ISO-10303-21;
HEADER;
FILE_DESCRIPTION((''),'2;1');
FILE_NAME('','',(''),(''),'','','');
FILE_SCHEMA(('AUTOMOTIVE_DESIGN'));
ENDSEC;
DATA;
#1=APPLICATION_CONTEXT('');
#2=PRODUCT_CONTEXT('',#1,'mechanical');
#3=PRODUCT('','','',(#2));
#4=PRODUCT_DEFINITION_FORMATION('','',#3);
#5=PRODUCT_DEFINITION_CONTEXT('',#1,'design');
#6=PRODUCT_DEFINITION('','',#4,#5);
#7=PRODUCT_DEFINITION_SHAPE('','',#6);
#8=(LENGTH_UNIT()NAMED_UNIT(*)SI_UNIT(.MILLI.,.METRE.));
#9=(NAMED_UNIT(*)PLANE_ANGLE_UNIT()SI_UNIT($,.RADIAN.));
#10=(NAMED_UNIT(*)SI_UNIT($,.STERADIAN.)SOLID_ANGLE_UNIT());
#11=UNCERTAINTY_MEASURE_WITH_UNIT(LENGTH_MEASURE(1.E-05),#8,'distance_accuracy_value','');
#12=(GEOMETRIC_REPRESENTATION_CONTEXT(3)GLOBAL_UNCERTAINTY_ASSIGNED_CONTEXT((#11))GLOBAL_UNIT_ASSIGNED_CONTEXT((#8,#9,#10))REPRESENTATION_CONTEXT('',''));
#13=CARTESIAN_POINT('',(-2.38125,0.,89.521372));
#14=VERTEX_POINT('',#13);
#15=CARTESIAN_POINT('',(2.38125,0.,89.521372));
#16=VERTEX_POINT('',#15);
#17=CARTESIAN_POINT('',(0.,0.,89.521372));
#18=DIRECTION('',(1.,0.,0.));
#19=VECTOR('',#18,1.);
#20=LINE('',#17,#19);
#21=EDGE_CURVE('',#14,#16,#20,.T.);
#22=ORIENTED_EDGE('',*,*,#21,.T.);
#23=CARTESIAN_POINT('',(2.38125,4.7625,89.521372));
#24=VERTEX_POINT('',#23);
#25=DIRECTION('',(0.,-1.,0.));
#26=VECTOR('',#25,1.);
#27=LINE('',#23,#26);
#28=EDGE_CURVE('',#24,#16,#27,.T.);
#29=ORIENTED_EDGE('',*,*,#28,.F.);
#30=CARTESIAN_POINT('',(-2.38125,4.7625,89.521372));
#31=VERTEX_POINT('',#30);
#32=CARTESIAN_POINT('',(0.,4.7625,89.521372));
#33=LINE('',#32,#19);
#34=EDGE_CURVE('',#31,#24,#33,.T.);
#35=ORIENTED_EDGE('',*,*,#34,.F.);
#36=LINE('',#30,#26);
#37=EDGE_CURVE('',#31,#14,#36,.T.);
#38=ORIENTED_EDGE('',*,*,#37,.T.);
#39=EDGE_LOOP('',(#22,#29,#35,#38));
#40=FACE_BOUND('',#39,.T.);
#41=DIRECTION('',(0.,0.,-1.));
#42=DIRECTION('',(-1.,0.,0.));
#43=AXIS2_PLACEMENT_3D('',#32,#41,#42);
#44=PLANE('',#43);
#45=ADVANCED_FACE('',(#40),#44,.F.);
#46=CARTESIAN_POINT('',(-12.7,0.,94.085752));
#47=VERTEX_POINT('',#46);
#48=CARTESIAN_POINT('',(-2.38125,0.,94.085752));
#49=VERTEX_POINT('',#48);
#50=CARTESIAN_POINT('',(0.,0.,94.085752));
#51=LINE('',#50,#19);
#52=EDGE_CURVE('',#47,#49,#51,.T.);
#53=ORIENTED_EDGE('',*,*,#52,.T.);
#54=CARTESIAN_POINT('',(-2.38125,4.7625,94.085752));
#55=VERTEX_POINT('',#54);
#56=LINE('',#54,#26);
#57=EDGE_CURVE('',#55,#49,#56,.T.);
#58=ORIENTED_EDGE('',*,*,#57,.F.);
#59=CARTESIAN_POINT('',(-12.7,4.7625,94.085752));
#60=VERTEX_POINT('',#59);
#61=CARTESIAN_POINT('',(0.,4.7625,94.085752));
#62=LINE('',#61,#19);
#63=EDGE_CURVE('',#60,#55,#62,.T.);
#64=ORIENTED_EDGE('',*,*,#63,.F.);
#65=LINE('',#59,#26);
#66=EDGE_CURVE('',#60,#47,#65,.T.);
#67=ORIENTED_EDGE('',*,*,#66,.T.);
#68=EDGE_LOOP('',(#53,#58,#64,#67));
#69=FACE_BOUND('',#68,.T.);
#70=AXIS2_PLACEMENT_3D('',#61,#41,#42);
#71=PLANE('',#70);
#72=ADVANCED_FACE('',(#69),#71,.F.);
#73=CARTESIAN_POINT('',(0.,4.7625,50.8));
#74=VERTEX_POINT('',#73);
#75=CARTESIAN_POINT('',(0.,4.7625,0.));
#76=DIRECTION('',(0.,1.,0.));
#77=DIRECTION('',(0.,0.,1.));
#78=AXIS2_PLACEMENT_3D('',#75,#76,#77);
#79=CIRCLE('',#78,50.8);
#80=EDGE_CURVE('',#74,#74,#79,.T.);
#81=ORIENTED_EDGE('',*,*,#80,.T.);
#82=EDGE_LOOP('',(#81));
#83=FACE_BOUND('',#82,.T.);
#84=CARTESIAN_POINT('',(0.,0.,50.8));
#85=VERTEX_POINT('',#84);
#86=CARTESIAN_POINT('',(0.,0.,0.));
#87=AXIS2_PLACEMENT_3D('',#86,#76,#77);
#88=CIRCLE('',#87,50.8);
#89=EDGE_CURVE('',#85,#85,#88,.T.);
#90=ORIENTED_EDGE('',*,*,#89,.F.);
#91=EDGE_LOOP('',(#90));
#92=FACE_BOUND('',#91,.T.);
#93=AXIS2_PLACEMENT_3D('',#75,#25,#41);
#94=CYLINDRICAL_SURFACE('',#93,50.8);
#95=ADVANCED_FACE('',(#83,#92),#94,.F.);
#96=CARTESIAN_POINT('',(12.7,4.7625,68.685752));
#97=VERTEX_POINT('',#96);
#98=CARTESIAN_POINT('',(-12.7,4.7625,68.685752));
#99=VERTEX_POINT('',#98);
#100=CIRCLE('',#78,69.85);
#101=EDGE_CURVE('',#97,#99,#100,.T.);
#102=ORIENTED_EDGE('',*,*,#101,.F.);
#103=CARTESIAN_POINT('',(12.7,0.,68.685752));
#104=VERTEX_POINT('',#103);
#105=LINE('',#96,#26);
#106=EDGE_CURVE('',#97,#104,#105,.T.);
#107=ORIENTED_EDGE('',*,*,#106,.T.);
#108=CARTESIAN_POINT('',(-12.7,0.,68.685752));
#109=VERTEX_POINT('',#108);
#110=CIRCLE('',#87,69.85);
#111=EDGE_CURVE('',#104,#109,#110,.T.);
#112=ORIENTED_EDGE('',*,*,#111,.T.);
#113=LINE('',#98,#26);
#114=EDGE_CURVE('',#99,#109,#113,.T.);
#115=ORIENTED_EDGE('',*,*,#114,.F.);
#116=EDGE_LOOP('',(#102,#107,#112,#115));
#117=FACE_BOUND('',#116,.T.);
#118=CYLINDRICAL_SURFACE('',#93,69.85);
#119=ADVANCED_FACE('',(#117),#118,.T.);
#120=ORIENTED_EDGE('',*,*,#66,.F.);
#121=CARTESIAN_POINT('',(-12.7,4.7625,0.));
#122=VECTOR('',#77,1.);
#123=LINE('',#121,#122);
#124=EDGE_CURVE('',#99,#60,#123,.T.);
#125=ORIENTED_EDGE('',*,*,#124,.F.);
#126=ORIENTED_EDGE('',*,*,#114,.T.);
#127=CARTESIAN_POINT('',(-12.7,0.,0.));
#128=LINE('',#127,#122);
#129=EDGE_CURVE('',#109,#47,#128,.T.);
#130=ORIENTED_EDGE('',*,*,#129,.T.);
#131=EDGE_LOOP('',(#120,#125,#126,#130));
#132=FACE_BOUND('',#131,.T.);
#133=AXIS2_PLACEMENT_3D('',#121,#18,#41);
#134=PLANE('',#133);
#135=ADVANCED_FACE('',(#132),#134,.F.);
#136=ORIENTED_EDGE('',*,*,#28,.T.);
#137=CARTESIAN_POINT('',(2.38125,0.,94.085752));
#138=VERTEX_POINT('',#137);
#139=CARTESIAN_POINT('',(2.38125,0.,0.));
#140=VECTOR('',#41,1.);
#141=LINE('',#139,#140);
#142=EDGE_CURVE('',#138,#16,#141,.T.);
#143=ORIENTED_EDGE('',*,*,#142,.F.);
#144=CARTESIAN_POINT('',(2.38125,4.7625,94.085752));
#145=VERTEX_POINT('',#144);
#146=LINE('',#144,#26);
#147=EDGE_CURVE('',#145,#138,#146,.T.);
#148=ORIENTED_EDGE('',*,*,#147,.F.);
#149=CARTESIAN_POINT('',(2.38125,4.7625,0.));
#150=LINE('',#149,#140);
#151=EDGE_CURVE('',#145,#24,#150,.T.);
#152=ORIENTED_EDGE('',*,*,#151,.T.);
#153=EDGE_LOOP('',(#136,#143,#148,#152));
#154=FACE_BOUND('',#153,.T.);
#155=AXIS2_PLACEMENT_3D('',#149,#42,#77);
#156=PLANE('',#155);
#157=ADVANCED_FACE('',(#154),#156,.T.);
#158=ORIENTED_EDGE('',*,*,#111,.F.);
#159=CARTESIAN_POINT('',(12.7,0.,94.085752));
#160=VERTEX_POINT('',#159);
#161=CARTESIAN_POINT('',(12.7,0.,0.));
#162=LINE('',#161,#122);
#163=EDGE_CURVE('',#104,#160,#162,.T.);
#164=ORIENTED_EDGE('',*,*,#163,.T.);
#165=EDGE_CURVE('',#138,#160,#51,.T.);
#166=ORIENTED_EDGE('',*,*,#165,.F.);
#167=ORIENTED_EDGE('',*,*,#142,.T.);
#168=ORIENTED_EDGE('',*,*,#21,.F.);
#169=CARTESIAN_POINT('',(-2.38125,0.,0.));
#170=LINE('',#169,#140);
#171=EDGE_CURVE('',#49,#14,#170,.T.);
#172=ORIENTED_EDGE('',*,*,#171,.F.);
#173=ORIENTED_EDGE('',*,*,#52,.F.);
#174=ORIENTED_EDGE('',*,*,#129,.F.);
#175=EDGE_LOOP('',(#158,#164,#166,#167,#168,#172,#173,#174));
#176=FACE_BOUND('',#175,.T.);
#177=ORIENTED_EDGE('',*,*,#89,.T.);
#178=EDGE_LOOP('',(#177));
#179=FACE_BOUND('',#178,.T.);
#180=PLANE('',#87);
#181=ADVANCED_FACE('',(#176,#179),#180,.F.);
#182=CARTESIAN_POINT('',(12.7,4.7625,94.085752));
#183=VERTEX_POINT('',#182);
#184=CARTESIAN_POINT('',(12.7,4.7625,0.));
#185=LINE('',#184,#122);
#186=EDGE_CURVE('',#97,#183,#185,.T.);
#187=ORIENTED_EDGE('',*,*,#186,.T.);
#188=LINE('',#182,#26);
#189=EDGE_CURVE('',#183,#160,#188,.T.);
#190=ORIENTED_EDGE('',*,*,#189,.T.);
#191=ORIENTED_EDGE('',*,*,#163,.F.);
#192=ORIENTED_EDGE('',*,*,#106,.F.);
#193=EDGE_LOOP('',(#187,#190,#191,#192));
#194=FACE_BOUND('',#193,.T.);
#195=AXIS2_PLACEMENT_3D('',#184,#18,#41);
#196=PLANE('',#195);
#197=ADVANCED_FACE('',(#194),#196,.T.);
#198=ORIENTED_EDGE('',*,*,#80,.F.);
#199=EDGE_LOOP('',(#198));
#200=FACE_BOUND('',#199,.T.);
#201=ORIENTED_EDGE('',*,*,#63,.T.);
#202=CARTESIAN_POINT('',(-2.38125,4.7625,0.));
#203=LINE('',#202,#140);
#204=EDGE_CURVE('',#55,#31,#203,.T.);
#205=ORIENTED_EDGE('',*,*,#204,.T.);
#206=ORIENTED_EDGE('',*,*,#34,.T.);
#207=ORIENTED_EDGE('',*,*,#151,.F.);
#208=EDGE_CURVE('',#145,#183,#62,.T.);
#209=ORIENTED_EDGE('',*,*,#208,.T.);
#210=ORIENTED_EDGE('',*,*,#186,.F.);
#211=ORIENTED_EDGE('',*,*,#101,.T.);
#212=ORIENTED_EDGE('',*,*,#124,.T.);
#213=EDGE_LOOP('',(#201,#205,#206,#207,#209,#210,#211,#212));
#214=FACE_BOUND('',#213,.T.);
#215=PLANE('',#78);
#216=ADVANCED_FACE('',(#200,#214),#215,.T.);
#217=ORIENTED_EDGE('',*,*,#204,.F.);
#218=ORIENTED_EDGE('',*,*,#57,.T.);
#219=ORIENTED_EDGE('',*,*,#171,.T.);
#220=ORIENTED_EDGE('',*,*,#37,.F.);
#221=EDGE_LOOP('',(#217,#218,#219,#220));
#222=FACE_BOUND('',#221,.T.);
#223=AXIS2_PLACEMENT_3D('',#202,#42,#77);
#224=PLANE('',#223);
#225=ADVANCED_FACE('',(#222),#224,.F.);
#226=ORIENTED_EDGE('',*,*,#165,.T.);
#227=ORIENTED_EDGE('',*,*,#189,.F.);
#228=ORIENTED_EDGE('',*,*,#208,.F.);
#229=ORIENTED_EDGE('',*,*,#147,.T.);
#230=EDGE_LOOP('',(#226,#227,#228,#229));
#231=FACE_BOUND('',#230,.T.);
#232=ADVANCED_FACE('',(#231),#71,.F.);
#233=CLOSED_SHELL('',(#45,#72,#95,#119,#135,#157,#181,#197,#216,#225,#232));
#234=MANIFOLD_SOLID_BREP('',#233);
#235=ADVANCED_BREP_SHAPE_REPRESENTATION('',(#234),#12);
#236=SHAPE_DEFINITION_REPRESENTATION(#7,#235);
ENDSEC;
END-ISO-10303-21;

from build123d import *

# Parameters (mm, degrees)
SKETCH1_R           = 50.8
BOSS_EXTRUDE1_DEPTH = 4.7625


with BuildPart() as part:
    # Sketch1 → Boss-Extrude1 (new body)
    with BuildSketch(Plane(origin=(0, 0, 0), x_dir=(1, 0, 0), z_dir=(0, 1, 0))):
        with BuildLine():
            Line((12.7, -94.085751798), (12.7, -68.685751798))
            ThreePointArc((12.7, -68.685751798), (0, 69.85), (-12.7, -68.685751798))
            Line((-12.7, -68.685751798), (-12.7, -94.085751798))
            Line((-12.7, -94.085751798), (-2.38125, -94.085751798))
            Line((-2.38125, -94.085751798), (-2.38125, -89.521371798))
            Line((-2.38125, -89.521371798), (2.38125, -89.521371798))
            Line((2.38125, -89.521371798), (2.38125, -94.085751798))
            Line((2.38125, -94.085751798), (12.7, -94.085751798))
        make_face()
        Circle(SKETCH1_R, mode=Mode.SUBTRACT)
    extrude(amount=BOSS_EXTRUDE1_DEPTH)


solid = part.part
